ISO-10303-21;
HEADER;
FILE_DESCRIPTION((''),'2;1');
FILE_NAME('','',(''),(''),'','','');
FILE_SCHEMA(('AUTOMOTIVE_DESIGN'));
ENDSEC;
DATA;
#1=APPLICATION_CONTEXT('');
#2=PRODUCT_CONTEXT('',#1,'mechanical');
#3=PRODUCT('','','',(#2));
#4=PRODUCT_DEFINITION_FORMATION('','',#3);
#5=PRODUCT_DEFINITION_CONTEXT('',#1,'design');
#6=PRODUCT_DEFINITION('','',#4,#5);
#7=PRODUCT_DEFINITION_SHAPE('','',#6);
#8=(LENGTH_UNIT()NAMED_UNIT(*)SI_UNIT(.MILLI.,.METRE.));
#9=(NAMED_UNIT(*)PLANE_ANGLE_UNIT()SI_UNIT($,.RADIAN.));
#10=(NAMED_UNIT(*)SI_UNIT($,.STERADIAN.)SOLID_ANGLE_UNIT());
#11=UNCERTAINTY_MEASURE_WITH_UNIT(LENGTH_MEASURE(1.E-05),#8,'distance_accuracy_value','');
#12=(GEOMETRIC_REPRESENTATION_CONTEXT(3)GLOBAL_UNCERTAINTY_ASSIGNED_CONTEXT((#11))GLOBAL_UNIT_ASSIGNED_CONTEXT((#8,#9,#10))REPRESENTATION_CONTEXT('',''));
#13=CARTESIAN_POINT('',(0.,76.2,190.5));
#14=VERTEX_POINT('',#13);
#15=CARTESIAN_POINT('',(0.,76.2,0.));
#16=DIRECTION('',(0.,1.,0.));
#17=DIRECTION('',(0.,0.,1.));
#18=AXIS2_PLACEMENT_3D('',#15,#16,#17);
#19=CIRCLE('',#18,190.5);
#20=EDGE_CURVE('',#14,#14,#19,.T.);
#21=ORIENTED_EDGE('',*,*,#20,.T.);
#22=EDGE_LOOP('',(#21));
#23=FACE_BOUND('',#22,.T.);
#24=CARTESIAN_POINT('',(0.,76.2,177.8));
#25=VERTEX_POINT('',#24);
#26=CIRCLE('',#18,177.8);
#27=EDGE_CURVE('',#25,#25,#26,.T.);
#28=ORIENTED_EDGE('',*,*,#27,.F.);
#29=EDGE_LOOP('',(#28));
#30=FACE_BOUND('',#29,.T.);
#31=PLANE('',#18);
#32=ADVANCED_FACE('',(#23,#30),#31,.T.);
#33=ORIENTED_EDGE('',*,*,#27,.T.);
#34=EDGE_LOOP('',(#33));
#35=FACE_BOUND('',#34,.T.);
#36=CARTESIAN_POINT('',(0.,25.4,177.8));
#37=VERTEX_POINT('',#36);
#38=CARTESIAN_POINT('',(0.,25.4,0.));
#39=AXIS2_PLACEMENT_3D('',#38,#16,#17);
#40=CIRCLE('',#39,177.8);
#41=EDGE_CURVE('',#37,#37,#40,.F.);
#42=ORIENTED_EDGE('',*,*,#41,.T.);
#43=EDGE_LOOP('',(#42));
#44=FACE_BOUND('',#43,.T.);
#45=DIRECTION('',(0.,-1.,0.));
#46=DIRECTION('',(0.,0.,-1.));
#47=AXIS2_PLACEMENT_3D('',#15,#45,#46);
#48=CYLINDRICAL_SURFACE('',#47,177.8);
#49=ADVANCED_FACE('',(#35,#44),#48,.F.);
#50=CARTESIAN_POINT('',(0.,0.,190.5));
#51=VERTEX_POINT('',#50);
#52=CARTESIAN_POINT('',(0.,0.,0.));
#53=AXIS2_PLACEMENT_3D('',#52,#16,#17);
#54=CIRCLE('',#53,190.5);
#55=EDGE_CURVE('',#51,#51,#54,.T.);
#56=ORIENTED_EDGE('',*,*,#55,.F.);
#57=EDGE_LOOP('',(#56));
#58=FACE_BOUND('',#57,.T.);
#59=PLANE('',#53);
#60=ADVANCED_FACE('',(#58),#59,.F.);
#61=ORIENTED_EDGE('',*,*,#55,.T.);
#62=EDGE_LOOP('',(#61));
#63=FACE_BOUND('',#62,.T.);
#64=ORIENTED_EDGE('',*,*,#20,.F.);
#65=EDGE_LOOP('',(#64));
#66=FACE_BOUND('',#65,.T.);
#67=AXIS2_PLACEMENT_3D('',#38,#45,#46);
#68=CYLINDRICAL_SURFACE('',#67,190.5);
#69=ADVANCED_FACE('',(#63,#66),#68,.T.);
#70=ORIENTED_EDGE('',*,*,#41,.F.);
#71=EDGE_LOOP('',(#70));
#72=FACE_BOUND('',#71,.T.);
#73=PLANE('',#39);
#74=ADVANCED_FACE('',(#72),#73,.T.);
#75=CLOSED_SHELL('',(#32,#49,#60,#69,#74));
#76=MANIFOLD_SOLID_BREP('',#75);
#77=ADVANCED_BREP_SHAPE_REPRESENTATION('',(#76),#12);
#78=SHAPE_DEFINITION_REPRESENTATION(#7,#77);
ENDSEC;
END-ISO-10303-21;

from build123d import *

# Parameters (mm, degrees)
SKETCH1_R           = 190.5
BOSS_EXTRUDE1_DEPTH = 25.4
SKETCH2_R           = 190.5
SKETCH2_R_2         = 177.8
BOSS_EXTRUDE2_DEPTH = 50.8


with BuildPart() as part:
    # Sketch1 → Boss-Extrude1 (new body)
    with BuildSketch(Plane(origin=(0, 0, 0), x_dir=(1, 0, 0), z_dir=(0, 1, 0))):
        Circle(SKETCH1_R)
    extrude(amount=BOSS_EXTRUDE1_DEPTH)

    # Sketch2 → Boss-Extrude2 (add)
    with BuildSketch(Plane(origin=(0, 25.4, 0), x_dir=(1, 0, 0), z_dir=(0, 1, 0))):
        Circle(SKETCH2_R)
        Circle(SKETCH2_R_2, mode=Mode.SUBTRACT)
    extrude(amount=BOSS_EXTRUDE2_DEPTH)


solid = part.part
